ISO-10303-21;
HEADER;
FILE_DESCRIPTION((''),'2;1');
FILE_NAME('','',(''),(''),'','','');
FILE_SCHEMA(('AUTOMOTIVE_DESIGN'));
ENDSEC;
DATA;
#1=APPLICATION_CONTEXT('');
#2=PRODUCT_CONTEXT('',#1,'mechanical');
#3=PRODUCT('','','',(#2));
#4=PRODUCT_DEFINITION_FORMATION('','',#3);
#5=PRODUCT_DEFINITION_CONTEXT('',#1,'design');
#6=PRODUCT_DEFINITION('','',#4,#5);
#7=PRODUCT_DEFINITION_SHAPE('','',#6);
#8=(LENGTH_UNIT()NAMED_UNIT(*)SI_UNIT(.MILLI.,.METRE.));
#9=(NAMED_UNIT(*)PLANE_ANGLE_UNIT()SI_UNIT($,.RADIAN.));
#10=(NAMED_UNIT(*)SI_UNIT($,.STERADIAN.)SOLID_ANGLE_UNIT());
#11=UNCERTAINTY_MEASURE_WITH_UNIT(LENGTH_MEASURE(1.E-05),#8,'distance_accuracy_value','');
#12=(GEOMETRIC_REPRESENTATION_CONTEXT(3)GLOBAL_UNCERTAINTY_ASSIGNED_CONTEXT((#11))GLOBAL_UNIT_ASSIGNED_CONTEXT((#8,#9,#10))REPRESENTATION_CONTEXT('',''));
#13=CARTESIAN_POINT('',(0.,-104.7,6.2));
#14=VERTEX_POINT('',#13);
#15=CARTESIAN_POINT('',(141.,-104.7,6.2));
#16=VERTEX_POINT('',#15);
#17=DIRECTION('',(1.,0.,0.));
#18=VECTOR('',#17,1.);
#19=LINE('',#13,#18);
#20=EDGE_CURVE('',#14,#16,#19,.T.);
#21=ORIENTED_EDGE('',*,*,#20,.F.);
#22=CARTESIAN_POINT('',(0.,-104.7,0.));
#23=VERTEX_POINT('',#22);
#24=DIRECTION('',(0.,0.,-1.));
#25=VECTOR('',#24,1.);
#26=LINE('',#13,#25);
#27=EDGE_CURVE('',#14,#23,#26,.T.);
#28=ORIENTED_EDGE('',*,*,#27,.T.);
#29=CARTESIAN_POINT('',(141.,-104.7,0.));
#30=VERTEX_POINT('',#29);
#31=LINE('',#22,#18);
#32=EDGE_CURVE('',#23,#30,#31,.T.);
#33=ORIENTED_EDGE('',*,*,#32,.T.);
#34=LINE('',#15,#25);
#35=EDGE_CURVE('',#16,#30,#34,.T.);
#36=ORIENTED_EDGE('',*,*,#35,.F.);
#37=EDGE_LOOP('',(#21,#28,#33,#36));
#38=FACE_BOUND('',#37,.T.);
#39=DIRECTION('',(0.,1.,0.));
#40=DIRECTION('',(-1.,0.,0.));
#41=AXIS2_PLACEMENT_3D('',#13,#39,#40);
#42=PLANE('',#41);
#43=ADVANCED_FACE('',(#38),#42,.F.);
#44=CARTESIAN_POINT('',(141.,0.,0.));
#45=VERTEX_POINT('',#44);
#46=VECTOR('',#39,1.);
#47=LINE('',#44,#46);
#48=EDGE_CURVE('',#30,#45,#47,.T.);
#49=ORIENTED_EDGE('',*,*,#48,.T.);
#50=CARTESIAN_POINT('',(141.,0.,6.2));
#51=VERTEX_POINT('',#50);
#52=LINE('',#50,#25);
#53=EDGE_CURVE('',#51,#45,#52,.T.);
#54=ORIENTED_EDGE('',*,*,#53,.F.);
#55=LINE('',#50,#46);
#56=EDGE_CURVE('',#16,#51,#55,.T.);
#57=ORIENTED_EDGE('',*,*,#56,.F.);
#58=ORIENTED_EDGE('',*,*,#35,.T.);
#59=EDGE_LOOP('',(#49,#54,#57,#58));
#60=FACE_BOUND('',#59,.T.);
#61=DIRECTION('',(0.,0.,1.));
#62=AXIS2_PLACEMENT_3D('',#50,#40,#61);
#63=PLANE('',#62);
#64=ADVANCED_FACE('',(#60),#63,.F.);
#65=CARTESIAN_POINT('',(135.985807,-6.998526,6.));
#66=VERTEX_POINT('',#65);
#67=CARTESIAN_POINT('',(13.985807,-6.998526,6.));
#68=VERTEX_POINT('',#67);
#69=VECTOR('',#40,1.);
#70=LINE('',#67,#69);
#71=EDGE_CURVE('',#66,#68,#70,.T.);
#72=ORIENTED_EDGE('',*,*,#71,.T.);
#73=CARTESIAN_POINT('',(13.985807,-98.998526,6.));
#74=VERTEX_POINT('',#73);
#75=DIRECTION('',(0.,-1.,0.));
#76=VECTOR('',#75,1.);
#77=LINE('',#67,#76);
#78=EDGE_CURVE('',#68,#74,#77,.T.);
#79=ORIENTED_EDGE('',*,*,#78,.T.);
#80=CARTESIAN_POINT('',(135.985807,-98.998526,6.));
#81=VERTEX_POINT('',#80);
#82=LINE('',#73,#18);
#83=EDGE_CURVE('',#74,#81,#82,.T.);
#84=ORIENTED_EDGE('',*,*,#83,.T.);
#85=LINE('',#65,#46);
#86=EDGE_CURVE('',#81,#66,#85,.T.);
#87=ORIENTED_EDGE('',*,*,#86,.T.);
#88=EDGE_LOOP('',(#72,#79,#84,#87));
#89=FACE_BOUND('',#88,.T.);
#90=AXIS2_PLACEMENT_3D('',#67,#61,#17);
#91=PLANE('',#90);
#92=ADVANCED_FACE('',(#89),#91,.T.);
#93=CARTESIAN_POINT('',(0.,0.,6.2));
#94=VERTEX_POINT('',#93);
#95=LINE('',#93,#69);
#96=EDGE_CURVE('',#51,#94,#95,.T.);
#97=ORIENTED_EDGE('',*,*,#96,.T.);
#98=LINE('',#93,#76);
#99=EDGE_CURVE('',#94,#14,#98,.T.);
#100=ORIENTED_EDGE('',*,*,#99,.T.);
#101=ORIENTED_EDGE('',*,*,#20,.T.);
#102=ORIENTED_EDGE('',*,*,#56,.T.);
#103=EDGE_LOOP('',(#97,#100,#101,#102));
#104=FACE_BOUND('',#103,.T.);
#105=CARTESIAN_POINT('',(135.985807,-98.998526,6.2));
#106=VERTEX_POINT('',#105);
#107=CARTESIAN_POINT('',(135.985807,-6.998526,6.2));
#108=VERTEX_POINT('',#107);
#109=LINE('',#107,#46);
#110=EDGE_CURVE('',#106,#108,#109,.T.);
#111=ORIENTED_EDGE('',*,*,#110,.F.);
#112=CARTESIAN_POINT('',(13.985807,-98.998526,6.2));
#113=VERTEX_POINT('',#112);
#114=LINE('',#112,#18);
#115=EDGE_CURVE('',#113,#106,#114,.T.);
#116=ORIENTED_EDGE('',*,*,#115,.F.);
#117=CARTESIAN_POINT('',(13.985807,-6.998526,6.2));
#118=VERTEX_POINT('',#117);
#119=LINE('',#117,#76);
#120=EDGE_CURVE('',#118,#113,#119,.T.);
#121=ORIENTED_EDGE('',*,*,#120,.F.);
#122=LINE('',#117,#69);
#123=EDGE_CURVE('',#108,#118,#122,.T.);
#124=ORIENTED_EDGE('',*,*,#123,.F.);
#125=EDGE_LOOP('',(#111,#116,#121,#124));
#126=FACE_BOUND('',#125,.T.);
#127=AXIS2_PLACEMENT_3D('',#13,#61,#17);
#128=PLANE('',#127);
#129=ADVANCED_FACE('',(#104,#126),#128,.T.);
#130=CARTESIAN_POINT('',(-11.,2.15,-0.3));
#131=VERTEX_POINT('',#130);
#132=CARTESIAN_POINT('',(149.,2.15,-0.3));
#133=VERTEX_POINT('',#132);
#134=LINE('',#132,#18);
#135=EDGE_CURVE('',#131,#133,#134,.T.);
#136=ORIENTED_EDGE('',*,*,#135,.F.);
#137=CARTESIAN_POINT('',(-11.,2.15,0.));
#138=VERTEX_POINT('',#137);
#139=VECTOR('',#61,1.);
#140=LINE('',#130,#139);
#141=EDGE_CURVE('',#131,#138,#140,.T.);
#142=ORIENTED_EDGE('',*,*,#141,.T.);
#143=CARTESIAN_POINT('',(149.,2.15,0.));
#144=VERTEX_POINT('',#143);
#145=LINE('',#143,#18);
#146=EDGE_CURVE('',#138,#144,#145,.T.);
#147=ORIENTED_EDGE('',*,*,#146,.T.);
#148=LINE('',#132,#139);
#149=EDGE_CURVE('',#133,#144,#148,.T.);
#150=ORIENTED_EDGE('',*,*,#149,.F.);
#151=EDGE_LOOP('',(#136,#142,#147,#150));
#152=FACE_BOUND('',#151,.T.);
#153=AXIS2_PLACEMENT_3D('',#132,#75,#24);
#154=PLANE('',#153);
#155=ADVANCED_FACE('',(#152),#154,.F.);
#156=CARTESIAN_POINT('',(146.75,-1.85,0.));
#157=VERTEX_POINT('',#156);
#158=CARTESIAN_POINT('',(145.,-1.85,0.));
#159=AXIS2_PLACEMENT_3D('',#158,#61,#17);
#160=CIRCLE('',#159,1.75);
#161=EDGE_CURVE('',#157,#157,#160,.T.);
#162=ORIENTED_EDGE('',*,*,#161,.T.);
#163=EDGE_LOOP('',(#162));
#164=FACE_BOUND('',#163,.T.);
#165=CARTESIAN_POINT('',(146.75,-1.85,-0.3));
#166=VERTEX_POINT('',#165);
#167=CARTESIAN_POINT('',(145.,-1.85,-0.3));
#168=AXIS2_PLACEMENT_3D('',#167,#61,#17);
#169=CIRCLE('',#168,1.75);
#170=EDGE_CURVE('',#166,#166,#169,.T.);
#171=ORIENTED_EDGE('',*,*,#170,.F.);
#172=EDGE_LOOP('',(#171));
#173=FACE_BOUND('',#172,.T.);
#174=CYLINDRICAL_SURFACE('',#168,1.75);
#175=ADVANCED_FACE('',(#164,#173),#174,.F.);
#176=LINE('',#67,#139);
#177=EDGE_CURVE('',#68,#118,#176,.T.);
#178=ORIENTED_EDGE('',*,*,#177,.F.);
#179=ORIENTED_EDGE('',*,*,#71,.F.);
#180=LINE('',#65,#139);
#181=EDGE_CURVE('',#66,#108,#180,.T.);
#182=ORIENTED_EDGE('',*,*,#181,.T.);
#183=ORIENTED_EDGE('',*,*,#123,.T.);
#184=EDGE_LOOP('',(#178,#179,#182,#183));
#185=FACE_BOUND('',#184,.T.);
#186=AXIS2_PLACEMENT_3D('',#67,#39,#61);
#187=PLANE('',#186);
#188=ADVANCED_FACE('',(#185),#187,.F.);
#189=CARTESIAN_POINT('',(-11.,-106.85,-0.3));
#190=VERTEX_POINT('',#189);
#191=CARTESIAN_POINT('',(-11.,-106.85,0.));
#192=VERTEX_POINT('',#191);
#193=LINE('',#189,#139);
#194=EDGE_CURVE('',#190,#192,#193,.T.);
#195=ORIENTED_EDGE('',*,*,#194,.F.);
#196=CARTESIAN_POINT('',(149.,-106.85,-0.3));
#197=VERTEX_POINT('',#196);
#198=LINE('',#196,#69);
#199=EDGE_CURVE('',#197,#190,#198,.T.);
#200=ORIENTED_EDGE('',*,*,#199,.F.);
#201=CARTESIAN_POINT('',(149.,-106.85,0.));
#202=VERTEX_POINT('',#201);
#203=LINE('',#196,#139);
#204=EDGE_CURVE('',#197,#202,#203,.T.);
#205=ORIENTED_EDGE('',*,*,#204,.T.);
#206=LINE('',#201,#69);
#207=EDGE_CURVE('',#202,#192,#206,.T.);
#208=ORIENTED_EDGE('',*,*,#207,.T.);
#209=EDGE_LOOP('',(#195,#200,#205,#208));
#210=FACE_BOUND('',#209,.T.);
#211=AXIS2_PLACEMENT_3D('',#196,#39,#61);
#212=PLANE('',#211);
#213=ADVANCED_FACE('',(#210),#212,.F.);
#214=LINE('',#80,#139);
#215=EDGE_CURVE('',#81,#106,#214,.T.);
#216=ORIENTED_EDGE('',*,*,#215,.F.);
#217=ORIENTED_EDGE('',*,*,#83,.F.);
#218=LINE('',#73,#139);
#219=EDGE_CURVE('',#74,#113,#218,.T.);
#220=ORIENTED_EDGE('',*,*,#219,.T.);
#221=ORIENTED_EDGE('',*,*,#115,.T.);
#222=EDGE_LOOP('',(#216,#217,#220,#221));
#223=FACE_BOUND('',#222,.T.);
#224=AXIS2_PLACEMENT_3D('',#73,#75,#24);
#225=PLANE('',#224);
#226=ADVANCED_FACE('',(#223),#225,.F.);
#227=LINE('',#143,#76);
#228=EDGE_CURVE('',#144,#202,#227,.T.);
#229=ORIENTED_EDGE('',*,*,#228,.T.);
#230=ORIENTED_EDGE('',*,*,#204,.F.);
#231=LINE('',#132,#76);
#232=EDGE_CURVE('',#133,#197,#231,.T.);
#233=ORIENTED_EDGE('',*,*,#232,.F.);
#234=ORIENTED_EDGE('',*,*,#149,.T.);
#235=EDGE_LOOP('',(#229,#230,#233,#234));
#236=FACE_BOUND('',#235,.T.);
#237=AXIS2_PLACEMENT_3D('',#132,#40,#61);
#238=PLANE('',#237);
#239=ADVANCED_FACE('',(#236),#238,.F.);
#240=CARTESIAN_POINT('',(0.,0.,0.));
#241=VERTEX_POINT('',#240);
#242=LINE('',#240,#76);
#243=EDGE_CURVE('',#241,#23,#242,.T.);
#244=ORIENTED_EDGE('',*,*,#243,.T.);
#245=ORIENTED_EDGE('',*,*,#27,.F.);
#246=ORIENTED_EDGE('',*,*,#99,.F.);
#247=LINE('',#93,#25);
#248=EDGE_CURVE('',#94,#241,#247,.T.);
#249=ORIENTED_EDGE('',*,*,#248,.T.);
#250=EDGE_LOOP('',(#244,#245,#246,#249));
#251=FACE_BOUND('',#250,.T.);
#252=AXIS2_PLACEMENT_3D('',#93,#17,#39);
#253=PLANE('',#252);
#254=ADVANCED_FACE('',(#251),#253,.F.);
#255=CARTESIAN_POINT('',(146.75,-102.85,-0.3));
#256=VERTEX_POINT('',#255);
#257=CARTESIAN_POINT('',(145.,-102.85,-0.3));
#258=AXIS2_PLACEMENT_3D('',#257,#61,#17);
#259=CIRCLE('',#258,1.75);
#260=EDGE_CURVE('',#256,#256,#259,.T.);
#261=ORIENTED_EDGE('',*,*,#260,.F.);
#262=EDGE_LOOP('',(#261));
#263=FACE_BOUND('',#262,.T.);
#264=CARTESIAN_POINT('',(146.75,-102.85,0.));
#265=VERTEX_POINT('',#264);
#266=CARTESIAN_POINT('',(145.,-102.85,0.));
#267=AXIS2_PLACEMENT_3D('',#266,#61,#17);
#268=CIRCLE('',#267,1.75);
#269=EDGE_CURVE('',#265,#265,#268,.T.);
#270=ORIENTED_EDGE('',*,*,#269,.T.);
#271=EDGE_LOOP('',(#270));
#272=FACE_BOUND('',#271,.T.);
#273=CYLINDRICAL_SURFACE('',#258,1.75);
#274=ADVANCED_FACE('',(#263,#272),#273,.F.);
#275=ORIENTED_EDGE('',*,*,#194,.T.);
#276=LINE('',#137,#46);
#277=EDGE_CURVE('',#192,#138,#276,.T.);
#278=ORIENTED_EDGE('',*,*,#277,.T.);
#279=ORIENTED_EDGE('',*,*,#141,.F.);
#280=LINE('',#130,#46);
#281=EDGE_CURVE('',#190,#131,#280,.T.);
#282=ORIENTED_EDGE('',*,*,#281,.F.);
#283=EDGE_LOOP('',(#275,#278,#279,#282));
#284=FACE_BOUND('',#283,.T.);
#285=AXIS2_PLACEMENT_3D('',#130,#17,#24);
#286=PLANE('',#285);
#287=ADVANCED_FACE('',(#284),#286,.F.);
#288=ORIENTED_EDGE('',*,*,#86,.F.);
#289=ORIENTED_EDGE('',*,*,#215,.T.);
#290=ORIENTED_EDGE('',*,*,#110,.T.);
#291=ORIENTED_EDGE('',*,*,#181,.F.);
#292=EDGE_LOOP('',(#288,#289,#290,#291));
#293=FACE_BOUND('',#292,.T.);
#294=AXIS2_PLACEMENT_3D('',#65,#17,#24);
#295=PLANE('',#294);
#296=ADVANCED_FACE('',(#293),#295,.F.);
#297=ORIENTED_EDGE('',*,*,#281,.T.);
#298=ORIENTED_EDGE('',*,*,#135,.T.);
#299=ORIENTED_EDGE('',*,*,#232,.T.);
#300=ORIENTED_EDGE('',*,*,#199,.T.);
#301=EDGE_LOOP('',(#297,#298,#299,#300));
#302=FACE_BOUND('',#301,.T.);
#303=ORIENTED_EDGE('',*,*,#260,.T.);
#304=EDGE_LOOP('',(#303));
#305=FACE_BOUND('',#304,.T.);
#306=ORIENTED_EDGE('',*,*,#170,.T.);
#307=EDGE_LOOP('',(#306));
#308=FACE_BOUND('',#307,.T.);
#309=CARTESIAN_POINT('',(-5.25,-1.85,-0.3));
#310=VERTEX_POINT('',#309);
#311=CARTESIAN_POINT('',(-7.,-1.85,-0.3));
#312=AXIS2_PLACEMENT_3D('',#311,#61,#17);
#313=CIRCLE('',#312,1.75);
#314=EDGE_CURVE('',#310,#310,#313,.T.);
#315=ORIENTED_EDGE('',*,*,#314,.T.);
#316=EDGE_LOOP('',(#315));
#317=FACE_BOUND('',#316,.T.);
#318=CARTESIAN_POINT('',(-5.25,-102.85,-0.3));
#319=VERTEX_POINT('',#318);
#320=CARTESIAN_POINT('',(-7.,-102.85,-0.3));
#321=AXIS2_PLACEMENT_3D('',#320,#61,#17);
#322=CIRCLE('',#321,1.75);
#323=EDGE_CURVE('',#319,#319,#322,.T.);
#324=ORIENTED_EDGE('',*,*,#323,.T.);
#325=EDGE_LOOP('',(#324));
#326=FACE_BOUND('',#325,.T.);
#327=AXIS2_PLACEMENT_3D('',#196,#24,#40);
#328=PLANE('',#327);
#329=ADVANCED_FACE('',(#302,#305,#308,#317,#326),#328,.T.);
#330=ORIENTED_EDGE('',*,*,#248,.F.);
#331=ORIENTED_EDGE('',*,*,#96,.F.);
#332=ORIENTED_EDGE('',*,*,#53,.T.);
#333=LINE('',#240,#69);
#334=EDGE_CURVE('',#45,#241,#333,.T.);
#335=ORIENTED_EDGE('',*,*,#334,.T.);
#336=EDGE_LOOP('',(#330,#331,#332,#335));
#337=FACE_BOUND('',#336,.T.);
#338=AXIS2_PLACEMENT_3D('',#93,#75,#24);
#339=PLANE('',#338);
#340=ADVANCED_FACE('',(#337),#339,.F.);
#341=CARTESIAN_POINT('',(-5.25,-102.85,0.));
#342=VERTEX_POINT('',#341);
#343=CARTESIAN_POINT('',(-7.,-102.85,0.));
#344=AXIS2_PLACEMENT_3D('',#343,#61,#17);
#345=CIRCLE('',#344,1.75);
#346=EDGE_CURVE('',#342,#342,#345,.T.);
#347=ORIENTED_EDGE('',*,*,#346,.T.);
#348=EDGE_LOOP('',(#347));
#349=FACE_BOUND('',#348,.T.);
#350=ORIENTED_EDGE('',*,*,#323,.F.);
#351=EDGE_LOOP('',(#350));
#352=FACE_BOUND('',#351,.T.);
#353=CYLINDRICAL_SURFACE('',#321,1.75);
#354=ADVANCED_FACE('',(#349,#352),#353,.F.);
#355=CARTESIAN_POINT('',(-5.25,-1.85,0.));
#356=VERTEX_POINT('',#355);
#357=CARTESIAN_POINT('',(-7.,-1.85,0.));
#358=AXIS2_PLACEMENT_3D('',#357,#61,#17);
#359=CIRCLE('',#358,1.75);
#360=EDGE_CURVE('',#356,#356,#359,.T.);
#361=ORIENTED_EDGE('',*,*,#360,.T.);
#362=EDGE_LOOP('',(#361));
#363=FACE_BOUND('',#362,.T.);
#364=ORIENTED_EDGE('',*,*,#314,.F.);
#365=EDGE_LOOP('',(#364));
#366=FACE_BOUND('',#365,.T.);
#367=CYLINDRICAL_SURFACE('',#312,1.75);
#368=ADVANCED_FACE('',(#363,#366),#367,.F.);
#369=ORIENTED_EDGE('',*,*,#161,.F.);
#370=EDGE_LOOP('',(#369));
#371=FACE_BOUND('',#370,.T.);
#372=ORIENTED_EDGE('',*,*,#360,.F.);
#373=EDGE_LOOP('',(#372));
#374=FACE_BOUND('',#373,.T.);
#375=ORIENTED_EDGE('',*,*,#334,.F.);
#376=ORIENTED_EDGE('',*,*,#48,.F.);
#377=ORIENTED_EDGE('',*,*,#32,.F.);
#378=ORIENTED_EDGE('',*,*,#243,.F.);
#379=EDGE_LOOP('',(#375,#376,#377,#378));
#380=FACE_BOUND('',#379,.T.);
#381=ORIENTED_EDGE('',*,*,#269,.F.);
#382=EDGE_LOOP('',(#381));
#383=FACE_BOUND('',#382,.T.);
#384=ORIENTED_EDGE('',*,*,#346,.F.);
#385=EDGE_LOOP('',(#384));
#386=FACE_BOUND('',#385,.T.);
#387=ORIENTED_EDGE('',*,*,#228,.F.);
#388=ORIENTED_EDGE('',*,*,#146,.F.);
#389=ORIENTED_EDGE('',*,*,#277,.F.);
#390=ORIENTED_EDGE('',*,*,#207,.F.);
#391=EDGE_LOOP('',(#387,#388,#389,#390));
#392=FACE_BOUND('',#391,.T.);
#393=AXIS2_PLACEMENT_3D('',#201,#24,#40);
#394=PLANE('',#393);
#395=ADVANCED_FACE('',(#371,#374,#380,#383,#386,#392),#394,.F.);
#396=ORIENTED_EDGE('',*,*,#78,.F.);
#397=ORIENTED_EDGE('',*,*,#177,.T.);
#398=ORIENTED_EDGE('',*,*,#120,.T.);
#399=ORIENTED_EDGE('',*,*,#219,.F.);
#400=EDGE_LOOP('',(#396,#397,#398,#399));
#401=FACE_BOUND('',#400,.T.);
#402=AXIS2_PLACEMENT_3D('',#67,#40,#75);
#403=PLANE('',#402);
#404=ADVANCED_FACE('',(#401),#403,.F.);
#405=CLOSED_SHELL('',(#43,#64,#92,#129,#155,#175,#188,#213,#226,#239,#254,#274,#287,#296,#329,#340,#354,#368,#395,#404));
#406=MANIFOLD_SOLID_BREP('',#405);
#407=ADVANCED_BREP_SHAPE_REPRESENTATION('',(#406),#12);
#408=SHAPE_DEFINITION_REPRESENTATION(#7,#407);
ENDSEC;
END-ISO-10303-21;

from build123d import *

# Parameters (mm, degrees)
SKETCH1_W          = 141
SKETCH1_H          = 104.7
EXTRUDE1_DEPTH     = 6.2
SKETCH4_W          = 160
SKETCH4_H          = 109
EXTRUDE2_DEPTH     = 0.3
SKETCH5_R          = 1.75
CUT_EXTRUDE1_DEPTH = 0.3
SKETCH3_W          = 122
SKETCH3_H          = 92
CUT_EXTRUDE4_DEPTH = 0.2


with BuildPart() as part:
    # Sketch1 → Extrude1 (new body)
    with BuildSketch(Plane.XY):
        with Locations((70.5, -52.35)):
            Rectangle(SKETCH1_W, SKETCH1_H)
    extrude(amount=EXTRUDE1_DEPTH)

    # Sketch4 → Extrude2 (add)
    with BuildSketch(Plane(origin=(0, 0, 0), x_dir=(-1, 0, 0), z_dir=(0, 0, -1))):
        with Locations((-69, -52.35)):
            Rectangle(SKETCH4_W, SKETCH4_H)
    extrude(amount=EXTRUDE2_DEPTH)

    # Sketch5 → Cut-Extrude1 (cut)
    with BuildSketch(Plane.XY):
        with Locations((145, -1.85)):
            Circle(SKETCH5_R)
        with Locations((145, -102.85)):
            Circle(SKETCH5_R)
        with Locations((-7, -1.85)):
            Circle(SKETCH5_R)
        with Locations((-7, -102.85)):
            Circle(SKETCH5_R)
    extrude(amount=-CUT_EXTRUDE1_DEPTH, mode=Mode.SUBTRACT)

    # Sketch3 → Cut-Extrude4 (cut)
    with BuildSketch(Plane.XY.offset(6.2)):
        with Locations((74.985806668, -52.998526077)):
            Rectangle(SKETCH3_W, SKETCH3_H)
    extrude(amount=-CUT_EXTRUDE4_DEPTH, mode=Mode.SUBTRACT)


solid = part.part
